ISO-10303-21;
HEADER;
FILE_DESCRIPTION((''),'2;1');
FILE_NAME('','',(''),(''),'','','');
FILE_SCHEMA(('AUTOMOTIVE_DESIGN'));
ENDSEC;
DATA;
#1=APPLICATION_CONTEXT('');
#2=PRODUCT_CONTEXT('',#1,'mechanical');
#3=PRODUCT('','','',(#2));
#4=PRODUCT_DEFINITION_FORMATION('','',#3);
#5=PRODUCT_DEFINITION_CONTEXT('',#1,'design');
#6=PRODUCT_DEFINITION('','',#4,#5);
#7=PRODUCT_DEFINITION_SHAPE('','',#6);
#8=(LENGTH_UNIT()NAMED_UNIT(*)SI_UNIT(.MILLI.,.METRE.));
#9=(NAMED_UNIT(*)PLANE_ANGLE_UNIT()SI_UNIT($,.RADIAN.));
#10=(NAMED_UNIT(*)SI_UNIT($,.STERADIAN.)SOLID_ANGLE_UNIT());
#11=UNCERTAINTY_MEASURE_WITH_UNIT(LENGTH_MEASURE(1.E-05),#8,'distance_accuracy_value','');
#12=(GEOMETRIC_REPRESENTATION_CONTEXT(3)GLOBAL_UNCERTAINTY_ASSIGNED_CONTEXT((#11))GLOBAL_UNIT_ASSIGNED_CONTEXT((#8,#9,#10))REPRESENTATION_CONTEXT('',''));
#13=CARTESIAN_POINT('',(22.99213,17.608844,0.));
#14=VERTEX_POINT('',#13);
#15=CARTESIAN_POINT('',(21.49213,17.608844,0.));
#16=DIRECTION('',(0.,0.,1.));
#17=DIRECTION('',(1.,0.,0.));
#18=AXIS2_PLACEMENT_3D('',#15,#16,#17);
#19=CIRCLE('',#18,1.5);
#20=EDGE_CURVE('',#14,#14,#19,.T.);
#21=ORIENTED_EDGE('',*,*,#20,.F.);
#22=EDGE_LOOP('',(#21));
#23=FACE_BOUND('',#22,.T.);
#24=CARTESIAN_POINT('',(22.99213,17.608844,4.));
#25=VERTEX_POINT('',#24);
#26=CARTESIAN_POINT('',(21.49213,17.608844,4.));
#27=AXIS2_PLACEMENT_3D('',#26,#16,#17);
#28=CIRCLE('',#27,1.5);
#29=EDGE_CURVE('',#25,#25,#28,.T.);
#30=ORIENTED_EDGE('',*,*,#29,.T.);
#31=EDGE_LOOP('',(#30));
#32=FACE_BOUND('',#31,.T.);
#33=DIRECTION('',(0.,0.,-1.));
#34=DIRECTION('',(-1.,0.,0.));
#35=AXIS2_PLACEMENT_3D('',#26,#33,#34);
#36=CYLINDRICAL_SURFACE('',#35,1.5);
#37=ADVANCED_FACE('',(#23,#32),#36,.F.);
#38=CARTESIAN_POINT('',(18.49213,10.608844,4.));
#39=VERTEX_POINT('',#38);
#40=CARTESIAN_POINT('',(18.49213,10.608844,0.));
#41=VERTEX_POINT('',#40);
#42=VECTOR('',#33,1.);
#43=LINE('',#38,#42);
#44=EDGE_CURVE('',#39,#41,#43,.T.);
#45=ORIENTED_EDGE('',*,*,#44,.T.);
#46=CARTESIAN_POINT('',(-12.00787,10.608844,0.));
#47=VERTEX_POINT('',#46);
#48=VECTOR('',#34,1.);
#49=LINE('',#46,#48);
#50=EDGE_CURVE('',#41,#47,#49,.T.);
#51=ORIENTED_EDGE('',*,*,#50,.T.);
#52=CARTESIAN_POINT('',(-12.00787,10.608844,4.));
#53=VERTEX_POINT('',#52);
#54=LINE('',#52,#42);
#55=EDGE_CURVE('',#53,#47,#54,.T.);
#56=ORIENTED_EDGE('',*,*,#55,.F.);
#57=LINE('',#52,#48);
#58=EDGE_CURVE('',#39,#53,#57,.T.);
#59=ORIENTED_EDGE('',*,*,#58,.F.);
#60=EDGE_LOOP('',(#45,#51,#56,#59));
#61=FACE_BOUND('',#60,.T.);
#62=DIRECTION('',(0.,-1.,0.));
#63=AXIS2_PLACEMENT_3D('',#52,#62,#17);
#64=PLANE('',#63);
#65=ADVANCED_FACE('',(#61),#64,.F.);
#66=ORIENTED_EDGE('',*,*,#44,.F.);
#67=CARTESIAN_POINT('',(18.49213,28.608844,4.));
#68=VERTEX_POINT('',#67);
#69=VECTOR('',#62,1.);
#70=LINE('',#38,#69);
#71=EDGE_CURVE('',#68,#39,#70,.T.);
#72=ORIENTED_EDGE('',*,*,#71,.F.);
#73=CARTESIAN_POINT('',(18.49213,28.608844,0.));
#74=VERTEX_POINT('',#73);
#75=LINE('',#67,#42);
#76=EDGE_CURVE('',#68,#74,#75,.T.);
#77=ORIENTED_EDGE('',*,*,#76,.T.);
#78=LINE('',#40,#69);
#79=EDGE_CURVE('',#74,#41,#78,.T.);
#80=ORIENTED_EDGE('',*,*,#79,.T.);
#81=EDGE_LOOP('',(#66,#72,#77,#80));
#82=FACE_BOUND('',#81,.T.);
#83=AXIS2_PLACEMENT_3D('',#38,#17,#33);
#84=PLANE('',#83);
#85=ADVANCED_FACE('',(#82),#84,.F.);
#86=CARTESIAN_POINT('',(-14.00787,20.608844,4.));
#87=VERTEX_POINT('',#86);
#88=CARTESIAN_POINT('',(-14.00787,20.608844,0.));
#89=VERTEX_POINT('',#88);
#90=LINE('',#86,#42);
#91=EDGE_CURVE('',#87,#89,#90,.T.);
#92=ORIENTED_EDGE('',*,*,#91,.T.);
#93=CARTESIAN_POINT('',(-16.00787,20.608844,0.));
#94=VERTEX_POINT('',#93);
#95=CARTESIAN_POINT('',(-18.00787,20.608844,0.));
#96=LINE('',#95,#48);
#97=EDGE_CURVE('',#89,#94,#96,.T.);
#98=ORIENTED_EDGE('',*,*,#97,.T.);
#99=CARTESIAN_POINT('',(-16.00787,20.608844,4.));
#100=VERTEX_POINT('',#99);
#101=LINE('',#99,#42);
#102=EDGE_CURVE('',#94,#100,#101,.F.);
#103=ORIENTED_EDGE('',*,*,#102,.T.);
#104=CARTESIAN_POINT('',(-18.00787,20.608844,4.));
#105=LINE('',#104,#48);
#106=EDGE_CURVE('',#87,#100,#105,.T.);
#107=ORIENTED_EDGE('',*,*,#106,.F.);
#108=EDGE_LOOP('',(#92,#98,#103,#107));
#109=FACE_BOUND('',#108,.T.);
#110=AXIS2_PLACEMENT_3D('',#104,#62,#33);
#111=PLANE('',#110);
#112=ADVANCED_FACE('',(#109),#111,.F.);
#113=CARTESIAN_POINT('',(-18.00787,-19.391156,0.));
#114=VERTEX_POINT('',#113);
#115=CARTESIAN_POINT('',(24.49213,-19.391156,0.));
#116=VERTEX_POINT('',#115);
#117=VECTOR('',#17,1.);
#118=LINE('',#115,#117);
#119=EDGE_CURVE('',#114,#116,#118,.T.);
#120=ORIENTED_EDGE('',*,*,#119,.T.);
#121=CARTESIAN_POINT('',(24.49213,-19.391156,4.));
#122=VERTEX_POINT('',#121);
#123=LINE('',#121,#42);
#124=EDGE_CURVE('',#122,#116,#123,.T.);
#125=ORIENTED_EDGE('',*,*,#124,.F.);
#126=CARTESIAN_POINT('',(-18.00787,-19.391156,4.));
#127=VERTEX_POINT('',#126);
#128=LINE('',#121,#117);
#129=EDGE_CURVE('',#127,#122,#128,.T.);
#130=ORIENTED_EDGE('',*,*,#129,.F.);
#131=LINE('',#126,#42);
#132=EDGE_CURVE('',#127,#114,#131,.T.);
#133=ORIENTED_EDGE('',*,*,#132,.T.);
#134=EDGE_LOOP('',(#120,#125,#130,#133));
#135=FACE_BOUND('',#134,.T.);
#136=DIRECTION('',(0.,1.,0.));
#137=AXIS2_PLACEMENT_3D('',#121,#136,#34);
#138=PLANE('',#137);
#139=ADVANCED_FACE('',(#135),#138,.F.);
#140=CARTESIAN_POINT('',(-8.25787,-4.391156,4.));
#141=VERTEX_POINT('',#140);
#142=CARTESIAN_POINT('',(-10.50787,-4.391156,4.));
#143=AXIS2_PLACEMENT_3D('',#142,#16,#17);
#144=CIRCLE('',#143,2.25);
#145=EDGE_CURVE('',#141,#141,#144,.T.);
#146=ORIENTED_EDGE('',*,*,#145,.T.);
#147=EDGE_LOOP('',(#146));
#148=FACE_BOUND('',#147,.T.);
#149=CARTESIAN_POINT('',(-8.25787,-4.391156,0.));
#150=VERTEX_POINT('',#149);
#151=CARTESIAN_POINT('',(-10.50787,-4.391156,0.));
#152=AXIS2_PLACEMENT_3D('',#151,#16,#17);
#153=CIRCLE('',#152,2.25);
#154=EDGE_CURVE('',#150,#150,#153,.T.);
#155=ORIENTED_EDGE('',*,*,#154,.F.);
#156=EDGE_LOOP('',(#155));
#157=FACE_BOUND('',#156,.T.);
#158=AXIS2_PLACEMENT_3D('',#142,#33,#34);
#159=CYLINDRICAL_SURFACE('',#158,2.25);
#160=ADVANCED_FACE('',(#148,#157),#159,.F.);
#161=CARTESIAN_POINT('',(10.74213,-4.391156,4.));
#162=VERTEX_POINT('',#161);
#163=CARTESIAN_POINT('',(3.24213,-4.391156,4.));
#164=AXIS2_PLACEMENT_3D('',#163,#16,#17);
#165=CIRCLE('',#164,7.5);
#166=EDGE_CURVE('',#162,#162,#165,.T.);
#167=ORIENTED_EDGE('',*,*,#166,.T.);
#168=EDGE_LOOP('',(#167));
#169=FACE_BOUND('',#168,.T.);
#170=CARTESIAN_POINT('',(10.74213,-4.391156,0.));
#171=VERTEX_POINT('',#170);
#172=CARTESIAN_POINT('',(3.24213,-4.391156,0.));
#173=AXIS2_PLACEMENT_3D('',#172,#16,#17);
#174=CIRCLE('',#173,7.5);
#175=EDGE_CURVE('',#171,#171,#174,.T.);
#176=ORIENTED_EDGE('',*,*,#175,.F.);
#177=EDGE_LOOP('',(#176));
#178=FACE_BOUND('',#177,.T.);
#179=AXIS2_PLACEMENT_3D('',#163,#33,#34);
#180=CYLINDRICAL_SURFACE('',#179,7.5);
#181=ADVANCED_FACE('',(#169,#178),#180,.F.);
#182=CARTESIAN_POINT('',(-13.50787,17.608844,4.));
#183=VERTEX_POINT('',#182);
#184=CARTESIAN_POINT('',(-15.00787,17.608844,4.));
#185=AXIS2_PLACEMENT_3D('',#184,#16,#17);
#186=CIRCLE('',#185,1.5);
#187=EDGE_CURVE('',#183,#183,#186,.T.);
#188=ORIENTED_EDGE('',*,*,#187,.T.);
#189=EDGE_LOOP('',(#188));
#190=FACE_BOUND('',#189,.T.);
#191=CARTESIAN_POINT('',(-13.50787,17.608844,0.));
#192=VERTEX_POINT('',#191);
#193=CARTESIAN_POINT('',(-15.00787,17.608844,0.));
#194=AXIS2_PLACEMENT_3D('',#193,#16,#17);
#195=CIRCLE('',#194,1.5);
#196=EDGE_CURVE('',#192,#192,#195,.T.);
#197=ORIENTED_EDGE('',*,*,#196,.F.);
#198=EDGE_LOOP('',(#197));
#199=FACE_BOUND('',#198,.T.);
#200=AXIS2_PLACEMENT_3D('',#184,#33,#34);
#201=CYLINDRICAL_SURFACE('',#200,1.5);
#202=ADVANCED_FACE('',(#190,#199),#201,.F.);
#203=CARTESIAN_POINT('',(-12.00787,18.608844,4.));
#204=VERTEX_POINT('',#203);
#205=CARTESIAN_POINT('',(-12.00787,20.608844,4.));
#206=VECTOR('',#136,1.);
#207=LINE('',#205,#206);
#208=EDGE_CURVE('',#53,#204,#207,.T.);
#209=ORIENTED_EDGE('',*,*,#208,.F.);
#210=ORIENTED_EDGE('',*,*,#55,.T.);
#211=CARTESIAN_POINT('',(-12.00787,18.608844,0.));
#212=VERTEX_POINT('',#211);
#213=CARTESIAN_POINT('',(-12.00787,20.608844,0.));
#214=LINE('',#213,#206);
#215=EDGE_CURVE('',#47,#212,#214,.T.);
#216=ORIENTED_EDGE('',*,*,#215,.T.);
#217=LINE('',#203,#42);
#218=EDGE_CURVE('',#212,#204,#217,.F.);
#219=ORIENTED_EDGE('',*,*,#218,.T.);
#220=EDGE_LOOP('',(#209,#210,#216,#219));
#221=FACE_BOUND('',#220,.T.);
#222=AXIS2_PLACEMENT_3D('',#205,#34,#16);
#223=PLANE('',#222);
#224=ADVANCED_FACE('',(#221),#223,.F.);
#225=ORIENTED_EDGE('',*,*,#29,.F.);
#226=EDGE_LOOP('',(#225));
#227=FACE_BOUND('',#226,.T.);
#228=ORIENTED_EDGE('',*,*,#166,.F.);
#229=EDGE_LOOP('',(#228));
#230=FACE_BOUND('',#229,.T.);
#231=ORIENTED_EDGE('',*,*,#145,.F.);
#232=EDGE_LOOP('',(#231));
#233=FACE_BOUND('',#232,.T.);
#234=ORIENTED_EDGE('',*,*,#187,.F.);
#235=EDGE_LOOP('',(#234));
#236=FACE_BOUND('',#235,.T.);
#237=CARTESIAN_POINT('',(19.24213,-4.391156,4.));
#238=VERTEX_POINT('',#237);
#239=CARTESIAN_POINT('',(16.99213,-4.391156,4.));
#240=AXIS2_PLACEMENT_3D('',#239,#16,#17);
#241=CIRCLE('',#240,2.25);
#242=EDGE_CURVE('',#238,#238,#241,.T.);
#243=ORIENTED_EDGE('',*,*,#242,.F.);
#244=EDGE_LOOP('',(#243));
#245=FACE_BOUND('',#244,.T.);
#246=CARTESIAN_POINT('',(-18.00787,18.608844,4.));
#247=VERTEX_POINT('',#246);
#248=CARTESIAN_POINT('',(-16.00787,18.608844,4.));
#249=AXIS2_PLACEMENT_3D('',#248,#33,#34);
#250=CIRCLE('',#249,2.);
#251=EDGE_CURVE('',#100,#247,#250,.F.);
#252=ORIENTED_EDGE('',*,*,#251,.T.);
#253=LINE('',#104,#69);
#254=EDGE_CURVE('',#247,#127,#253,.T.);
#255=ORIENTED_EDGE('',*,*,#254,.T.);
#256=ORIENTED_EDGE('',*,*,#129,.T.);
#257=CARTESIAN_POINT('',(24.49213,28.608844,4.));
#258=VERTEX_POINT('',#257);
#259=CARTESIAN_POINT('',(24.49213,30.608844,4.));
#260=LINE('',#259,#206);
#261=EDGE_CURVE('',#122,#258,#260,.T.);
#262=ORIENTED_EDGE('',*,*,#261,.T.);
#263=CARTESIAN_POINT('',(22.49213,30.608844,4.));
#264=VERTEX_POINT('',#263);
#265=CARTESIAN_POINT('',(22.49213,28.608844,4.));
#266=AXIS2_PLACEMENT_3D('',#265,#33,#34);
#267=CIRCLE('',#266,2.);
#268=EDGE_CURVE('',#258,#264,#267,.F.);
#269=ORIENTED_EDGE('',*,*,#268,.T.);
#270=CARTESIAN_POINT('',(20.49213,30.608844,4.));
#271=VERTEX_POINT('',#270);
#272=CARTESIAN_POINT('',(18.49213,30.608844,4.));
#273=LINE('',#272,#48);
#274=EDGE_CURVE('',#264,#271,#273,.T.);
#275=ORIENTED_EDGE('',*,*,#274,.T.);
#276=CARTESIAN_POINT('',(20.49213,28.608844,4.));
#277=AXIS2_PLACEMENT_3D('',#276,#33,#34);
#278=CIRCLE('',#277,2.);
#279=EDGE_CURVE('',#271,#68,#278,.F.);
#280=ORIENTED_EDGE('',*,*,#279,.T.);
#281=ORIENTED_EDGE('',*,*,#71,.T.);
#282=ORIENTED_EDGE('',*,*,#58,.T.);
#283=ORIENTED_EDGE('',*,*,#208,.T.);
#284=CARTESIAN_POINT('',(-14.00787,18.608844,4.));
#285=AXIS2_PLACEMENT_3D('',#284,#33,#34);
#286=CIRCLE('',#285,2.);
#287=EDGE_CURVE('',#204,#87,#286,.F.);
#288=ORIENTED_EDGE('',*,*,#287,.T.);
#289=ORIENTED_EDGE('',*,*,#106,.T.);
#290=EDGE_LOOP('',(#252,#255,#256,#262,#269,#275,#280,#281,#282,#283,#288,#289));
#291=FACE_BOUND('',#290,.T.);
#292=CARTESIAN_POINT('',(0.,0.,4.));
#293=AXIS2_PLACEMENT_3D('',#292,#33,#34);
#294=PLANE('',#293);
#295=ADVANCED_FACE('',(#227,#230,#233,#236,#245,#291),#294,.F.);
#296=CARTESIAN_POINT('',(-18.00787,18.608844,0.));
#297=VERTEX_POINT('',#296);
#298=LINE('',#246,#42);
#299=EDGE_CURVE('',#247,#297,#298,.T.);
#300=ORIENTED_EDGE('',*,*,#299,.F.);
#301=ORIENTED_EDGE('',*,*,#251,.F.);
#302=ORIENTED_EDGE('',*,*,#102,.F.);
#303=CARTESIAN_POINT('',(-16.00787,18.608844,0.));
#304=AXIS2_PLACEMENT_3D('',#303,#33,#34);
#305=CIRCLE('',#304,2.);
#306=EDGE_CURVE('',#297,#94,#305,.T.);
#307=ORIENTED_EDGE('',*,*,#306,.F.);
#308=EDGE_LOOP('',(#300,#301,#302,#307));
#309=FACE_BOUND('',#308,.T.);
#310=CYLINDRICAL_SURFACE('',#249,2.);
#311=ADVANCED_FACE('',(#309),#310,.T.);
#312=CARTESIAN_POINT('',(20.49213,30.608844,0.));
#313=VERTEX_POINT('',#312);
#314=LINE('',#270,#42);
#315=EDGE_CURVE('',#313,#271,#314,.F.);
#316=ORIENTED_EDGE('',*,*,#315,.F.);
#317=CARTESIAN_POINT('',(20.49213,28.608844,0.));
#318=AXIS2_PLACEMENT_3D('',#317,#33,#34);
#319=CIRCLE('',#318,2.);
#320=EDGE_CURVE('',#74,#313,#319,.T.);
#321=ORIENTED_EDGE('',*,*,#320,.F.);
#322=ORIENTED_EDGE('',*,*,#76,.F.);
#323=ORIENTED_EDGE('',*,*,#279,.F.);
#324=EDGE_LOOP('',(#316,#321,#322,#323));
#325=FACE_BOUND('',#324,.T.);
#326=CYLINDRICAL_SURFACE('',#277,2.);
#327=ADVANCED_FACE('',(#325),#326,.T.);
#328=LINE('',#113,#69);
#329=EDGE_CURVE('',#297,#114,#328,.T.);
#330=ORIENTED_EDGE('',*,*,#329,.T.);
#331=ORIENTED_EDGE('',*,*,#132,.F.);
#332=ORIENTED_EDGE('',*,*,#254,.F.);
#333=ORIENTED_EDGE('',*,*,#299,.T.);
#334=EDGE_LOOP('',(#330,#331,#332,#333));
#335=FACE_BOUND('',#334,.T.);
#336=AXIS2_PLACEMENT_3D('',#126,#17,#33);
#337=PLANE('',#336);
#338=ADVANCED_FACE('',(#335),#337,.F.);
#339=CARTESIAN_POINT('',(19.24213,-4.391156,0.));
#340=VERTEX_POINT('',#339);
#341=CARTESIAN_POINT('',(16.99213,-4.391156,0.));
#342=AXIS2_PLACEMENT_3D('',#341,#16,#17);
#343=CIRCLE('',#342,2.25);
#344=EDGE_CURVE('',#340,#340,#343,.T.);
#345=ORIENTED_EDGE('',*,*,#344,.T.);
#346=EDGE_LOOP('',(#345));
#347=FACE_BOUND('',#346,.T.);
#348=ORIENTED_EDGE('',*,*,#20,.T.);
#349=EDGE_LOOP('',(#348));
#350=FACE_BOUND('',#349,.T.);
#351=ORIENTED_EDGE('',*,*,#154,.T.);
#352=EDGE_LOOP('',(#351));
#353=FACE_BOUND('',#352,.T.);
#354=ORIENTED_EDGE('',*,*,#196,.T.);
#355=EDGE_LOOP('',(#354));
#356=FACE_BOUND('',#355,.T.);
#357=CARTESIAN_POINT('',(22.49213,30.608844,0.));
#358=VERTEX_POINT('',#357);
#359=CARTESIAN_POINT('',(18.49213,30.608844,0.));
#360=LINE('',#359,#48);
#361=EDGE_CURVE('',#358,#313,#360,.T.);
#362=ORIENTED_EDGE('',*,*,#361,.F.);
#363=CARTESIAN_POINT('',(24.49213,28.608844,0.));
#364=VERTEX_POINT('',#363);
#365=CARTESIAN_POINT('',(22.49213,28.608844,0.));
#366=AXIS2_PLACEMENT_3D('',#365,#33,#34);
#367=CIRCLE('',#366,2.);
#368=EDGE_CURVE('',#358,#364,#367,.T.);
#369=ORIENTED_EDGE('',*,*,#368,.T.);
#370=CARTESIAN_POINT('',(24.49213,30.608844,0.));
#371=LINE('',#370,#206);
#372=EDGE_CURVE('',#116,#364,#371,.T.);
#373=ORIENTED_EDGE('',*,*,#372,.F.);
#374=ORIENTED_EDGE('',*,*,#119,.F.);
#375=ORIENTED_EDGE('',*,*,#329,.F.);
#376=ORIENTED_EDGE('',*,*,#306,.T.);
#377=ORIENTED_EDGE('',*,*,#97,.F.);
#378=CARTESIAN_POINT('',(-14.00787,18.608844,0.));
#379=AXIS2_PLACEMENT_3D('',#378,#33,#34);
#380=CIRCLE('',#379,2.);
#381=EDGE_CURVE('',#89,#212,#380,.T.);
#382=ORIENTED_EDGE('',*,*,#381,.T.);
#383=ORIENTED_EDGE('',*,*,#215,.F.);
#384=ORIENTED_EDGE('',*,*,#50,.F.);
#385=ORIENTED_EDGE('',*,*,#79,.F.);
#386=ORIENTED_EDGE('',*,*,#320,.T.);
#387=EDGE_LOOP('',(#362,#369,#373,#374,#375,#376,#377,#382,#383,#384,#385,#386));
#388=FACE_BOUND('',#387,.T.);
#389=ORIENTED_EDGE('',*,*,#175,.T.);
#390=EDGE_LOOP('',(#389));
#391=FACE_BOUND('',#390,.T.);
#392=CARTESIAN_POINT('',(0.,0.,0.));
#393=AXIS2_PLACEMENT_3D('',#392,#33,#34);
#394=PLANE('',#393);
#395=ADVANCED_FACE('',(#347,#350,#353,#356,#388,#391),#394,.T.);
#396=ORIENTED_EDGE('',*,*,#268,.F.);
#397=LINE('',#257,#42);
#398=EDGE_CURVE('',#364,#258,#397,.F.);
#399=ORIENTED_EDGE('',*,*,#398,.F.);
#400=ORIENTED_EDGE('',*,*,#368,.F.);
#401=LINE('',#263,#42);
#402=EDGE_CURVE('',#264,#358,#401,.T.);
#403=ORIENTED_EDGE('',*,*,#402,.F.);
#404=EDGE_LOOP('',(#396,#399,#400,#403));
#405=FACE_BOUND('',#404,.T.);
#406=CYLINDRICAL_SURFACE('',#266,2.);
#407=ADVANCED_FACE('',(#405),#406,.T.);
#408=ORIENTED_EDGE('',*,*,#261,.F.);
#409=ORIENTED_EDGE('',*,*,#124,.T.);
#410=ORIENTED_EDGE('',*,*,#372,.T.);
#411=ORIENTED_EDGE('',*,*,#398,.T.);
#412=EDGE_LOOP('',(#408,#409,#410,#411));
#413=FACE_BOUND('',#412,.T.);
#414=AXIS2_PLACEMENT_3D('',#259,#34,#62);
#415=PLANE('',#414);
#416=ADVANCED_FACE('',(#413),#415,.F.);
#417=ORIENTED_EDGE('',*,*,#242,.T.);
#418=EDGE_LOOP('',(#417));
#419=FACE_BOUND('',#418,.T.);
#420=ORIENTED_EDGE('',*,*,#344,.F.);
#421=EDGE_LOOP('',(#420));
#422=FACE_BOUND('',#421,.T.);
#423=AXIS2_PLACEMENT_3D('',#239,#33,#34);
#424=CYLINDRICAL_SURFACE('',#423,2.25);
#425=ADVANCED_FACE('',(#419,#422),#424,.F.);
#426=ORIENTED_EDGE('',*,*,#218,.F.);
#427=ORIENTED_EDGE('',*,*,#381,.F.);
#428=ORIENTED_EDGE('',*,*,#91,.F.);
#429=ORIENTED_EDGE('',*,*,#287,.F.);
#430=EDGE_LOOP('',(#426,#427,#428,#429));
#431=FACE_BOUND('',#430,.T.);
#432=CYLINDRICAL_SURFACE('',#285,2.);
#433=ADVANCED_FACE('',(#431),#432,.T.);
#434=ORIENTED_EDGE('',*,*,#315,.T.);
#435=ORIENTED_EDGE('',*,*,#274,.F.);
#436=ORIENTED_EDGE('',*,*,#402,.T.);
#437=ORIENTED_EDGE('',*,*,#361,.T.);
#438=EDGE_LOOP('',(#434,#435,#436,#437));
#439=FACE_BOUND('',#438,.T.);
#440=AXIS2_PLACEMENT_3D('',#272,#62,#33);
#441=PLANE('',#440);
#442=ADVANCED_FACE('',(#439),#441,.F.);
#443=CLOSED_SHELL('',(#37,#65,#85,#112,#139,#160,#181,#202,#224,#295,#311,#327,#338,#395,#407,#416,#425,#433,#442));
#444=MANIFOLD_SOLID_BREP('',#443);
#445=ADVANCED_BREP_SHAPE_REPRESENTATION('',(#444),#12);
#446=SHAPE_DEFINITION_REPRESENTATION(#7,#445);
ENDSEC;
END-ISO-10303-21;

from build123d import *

# Parameters (mm, degrees)
SKETCH_1_R      = 1.5
SKETCH_1_R_2    = 2.25
SKETCH_1_R_3    = 7.5
EXTRUDE_1_DEPTH = 4
FILLET_1_R      = 2


with BuildPart() as part:
    # 草图1 → 凸台-拉伸1 (new body)
    with BuildSketch(Plane.XY):
        Polygon((-18.007870082, 20.608843809), (-18.007870082, -13.606505187), (-18.007870082, -19.391156191), (24.492129918, -19.391156191), (24.492129918, 30.608843809), (18.492129918, 30.608843809), (18.492129918, 10.608843809), (-12.007870082, 10.608843809), (-12.007870082, 20.608843809), align=None)
        with Locations((-15.007870082, 17.608843809)):
            Circle(SKETCH_1_R, mode=Mode.SUBTRACT)
        with Locations((21.492129918, 17.608843809)):
            Circle(SKETCH_1_R, mode=Mode.SUBTRACT)
        with Locations((-10.507870082, -4.391156191)):
            Circle(SKETCH_1_R_2, mode=Mode.SUBTRACT)
        with Locations((16.992129918, -4.391156191)):
            Circle(SKETCH_1_R_2, mode=Mode.SUBTRACT)
        with Locations((3.242129918, -4.391156191)):
            Circle(SKETCH_1_R_3, mode=Mode.SUBTRACT)
    extrude(amount=EXTRUDE_1_DEPTH)

    # 圆角1
    fillet_1_edges = [part.edges().sort_by_distance(p)[0] for p in [
        (-12.007870082, 20.608843809, 2),
        (18.492129918, 30.608843809, 2),
        (24.492129918, 30.608843809, 2),
        (-18.007870082, 20.608843809, 2),
    ]]
    fillet(fillet_1_edges, radius=FILLET_1_R)


solid = part.part
